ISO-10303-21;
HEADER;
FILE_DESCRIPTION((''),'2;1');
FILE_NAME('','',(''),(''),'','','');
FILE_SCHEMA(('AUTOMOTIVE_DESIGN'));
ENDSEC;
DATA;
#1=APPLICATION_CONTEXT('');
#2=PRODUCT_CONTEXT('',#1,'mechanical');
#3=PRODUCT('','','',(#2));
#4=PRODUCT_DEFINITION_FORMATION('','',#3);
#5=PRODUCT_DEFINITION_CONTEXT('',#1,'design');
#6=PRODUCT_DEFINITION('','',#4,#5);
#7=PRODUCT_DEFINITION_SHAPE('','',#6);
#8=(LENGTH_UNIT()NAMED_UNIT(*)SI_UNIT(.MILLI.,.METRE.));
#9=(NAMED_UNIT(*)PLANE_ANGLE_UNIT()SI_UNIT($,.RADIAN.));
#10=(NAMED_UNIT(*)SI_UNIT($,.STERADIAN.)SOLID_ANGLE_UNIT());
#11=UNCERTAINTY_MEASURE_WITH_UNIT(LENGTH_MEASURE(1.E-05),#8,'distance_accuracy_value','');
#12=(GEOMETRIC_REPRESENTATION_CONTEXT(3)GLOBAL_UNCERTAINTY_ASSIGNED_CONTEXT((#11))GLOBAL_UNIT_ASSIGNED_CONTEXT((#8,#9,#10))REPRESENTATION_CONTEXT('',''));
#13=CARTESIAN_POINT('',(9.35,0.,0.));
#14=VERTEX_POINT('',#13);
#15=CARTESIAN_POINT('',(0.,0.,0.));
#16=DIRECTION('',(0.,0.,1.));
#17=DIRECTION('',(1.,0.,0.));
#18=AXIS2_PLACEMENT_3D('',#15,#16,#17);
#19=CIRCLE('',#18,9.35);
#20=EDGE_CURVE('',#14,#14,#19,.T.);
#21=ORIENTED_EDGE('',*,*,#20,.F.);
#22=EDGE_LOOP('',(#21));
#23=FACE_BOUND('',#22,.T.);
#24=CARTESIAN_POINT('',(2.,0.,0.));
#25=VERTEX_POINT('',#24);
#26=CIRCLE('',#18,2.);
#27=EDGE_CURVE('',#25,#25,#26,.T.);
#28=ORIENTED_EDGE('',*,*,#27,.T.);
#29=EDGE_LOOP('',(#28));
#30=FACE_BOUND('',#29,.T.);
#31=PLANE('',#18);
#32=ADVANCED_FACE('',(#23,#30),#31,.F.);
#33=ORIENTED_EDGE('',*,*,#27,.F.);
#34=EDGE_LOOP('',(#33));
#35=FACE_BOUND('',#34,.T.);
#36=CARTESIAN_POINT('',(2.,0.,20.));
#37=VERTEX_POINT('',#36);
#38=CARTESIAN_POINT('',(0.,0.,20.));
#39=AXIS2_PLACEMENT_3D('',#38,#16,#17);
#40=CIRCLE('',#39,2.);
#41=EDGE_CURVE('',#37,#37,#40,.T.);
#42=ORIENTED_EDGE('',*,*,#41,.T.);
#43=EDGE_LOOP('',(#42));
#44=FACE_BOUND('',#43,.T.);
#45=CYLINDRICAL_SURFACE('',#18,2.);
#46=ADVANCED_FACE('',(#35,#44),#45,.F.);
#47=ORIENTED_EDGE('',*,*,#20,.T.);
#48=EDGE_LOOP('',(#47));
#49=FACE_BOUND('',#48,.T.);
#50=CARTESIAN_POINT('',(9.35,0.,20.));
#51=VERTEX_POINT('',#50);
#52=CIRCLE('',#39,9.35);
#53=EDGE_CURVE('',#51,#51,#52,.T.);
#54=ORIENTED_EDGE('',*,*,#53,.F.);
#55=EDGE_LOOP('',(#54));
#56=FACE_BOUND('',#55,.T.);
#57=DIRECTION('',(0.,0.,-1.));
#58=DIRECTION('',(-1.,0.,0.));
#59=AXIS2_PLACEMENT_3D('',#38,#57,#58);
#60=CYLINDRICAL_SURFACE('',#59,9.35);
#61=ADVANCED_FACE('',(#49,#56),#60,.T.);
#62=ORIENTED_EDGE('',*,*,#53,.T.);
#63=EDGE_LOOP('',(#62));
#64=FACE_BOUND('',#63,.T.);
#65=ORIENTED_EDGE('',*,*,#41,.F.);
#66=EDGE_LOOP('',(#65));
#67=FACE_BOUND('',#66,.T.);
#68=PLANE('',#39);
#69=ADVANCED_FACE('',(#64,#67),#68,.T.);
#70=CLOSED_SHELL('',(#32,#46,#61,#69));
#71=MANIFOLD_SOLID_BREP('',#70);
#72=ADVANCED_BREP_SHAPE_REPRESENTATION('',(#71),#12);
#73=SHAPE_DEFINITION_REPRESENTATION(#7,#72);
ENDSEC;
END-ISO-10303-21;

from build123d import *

# Parameters (mm, degrees)
SKETCH_1_R          = 9.35
EXTRUDE_1_DEPTH     = 20
SKETCH_5_R          = 2
CUT_EXTRUDE_2_DEPTH = 20


with BuildPart() as part:
    # 草图1 → 凸台-拉伸1 (new body)
    with BuildSketch(Plane.XY):
        Circle(SKETCH_1_R)
    extrude(amount=EXTRUDE_1_DEPTH)

    # 草图5 → 切除-拉伸2 (cut)
    with BuildSketch(Plane.XY.offset(20)):
        Circle(SKETCH_5_R)
    extrude(amount=-CUT_EXTRUDE_2_DEPTH, mode=Mode.SUBTRACT)


solid = part.part
